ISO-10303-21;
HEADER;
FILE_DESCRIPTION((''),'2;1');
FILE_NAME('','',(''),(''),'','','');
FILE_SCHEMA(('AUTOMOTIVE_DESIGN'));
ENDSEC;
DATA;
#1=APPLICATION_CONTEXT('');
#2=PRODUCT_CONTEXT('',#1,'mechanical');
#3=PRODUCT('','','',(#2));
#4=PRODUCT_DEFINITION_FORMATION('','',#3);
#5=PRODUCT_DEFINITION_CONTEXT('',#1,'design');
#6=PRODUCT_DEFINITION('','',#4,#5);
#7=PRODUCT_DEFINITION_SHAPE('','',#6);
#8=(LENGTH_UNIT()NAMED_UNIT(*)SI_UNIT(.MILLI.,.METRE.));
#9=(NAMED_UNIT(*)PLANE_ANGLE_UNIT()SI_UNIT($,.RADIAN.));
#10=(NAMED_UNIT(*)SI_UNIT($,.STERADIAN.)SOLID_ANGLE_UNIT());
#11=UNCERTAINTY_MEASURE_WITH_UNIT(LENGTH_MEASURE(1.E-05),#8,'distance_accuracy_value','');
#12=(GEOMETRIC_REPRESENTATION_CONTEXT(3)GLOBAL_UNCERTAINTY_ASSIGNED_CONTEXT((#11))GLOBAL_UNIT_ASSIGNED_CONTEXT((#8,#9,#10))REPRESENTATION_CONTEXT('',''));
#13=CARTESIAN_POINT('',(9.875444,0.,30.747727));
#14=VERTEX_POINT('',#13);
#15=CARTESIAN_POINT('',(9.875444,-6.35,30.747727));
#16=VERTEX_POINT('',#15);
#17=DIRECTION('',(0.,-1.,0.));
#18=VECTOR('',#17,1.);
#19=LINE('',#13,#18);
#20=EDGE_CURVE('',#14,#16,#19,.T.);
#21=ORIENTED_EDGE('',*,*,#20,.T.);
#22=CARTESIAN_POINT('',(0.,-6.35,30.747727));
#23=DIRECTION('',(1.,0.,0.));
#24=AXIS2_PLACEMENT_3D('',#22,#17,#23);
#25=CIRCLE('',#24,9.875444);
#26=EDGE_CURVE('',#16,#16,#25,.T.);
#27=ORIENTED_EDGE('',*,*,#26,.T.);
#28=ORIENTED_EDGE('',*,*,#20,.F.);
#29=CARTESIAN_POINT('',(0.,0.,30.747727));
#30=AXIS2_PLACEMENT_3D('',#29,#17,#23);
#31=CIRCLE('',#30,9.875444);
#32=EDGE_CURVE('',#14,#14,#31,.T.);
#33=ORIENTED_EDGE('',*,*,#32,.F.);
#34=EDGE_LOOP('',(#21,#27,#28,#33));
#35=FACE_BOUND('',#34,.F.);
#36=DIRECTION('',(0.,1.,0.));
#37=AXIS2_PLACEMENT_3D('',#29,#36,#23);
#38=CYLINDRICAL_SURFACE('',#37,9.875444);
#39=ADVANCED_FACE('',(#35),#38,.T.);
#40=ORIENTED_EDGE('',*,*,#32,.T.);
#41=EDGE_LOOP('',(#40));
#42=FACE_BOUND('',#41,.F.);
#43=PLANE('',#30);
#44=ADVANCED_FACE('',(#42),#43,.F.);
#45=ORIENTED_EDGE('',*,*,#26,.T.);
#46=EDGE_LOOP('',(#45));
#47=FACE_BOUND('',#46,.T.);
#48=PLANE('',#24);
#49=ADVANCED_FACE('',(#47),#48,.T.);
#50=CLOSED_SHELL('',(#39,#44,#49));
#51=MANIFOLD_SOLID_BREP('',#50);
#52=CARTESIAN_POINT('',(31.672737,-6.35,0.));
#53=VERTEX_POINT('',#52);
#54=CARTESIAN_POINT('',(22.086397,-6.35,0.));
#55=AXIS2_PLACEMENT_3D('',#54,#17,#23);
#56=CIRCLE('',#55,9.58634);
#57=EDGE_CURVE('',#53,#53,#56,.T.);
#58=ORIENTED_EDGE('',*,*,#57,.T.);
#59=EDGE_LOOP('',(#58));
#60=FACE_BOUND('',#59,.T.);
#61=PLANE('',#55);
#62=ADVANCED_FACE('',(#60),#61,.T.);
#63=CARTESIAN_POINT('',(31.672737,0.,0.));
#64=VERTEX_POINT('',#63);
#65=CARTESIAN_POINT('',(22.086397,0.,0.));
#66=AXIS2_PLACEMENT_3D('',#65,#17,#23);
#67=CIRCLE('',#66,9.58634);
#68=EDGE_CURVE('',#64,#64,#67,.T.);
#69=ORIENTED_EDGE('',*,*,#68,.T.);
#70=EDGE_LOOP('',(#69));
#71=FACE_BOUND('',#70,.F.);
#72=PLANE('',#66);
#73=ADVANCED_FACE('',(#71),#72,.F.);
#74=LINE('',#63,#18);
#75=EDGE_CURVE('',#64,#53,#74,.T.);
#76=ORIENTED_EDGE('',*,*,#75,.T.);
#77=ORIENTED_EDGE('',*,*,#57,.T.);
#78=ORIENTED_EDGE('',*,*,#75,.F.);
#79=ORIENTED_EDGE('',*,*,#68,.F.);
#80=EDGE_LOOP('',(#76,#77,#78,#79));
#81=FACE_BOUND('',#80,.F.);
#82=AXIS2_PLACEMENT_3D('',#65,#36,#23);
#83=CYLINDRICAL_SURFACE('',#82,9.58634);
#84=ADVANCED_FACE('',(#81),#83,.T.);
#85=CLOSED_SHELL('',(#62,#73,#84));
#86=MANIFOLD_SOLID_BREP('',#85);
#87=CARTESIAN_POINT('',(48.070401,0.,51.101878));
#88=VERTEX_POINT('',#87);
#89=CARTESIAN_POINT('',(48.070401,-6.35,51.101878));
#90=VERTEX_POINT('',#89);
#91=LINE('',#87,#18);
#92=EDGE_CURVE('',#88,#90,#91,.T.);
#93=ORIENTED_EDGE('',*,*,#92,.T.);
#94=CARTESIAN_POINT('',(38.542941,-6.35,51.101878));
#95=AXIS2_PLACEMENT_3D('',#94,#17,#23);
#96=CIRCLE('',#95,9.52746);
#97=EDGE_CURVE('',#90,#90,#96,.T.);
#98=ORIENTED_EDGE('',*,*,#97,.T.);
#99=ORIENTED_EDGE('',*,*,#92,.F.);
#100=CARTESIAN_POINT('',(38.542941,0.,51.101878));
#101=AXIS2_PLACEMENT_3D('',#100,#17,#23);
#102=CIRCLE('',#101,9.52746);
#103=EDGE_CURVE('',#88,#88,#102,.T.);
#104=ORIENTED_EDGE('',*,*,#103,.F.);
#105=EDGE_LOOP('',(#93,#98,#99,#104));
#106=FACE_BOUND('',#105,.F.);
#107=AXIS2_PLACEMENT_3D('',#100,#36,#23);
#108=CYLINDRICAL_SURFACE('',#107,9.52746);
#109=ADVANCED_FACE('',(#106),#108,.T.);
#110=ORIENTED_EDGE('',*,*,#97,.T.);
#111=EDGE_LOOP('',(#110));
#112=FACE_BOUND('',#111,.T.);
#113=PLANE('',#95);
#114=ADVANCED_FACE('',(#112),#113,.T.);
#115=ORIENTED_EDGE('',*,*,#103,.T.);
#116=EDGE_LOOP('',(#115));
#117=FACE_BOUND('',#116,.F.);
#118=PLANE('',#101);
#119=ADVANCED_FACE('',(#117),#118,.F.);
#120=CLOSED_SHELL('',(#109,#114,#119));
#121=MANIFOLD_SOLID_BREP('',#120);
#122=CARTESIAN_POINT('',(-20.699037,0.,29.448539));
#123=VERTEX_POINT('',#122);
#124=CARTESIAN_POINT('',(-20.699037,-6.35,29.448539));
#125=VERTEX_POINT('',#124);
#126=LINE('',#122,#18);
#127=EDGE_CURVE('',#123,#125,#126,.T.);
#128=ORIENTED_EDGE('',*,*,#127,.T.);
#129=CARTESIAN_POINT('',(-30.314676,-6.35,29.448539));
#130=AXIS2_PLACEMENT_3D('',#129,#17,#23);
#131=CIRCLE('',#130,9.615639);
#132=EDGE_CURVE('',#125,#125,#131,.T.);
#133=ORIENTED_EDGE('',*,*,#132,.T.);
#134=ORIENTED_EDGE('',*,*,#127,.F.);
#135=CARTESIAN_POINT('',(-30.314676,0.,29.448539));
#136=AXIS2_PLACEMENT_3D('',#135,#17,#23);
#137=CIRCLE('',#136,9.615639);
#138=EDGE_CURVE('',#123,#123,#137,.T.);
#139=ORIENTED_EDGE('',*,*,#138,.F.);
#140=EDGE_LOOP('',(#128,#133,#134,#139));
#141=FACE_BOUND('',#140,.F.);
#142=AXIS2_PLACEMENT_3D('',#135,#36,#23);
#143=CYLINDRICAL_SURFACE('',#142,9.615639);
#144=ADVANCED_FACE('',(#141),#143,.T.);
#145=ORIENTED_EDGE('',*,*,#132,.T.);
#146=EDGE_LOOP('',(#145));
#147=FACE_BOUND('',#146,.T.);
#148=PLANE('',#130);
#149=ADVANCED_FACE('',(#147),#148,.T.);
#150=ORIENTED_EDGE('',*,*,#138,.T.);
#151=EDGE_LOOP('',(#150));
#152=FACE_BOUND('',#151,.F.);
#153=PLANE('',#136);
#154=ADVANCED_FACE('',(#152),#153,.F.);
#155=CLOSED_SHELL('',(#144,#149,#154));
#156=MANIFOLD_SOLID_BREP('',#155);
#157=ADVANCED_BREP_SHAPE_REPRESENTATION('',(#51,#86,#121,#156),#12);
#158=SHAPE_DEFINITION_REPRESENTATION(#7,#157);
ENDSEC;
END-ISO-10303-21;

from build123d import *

# Parameters (mm, degrees)
F0_R     = 9.52746
F0_R_2   = 9.58634
F0_R_3   = 9.615639
F0_R_4   = 9.875444
F1_DEPTH = 6.35


with BuildPart() as f1:
    # F0 (on Front) → F1 (new body)
    with BuildSketch(Plane.XZ):
        with Locations((38.542941, 51.101878)):
            Circle(F0_R)
        with Locations((22.086397, 0)):
            Circle(F0_R_2)
        with Locations((-30.314676, 29.448539)):
            Circle(F0_R_3)
        with Locations((0, 30.747727)):
            Circle(F0_R_4)
    extrude(amount=F1_DEPTH)


solid = f1.part
